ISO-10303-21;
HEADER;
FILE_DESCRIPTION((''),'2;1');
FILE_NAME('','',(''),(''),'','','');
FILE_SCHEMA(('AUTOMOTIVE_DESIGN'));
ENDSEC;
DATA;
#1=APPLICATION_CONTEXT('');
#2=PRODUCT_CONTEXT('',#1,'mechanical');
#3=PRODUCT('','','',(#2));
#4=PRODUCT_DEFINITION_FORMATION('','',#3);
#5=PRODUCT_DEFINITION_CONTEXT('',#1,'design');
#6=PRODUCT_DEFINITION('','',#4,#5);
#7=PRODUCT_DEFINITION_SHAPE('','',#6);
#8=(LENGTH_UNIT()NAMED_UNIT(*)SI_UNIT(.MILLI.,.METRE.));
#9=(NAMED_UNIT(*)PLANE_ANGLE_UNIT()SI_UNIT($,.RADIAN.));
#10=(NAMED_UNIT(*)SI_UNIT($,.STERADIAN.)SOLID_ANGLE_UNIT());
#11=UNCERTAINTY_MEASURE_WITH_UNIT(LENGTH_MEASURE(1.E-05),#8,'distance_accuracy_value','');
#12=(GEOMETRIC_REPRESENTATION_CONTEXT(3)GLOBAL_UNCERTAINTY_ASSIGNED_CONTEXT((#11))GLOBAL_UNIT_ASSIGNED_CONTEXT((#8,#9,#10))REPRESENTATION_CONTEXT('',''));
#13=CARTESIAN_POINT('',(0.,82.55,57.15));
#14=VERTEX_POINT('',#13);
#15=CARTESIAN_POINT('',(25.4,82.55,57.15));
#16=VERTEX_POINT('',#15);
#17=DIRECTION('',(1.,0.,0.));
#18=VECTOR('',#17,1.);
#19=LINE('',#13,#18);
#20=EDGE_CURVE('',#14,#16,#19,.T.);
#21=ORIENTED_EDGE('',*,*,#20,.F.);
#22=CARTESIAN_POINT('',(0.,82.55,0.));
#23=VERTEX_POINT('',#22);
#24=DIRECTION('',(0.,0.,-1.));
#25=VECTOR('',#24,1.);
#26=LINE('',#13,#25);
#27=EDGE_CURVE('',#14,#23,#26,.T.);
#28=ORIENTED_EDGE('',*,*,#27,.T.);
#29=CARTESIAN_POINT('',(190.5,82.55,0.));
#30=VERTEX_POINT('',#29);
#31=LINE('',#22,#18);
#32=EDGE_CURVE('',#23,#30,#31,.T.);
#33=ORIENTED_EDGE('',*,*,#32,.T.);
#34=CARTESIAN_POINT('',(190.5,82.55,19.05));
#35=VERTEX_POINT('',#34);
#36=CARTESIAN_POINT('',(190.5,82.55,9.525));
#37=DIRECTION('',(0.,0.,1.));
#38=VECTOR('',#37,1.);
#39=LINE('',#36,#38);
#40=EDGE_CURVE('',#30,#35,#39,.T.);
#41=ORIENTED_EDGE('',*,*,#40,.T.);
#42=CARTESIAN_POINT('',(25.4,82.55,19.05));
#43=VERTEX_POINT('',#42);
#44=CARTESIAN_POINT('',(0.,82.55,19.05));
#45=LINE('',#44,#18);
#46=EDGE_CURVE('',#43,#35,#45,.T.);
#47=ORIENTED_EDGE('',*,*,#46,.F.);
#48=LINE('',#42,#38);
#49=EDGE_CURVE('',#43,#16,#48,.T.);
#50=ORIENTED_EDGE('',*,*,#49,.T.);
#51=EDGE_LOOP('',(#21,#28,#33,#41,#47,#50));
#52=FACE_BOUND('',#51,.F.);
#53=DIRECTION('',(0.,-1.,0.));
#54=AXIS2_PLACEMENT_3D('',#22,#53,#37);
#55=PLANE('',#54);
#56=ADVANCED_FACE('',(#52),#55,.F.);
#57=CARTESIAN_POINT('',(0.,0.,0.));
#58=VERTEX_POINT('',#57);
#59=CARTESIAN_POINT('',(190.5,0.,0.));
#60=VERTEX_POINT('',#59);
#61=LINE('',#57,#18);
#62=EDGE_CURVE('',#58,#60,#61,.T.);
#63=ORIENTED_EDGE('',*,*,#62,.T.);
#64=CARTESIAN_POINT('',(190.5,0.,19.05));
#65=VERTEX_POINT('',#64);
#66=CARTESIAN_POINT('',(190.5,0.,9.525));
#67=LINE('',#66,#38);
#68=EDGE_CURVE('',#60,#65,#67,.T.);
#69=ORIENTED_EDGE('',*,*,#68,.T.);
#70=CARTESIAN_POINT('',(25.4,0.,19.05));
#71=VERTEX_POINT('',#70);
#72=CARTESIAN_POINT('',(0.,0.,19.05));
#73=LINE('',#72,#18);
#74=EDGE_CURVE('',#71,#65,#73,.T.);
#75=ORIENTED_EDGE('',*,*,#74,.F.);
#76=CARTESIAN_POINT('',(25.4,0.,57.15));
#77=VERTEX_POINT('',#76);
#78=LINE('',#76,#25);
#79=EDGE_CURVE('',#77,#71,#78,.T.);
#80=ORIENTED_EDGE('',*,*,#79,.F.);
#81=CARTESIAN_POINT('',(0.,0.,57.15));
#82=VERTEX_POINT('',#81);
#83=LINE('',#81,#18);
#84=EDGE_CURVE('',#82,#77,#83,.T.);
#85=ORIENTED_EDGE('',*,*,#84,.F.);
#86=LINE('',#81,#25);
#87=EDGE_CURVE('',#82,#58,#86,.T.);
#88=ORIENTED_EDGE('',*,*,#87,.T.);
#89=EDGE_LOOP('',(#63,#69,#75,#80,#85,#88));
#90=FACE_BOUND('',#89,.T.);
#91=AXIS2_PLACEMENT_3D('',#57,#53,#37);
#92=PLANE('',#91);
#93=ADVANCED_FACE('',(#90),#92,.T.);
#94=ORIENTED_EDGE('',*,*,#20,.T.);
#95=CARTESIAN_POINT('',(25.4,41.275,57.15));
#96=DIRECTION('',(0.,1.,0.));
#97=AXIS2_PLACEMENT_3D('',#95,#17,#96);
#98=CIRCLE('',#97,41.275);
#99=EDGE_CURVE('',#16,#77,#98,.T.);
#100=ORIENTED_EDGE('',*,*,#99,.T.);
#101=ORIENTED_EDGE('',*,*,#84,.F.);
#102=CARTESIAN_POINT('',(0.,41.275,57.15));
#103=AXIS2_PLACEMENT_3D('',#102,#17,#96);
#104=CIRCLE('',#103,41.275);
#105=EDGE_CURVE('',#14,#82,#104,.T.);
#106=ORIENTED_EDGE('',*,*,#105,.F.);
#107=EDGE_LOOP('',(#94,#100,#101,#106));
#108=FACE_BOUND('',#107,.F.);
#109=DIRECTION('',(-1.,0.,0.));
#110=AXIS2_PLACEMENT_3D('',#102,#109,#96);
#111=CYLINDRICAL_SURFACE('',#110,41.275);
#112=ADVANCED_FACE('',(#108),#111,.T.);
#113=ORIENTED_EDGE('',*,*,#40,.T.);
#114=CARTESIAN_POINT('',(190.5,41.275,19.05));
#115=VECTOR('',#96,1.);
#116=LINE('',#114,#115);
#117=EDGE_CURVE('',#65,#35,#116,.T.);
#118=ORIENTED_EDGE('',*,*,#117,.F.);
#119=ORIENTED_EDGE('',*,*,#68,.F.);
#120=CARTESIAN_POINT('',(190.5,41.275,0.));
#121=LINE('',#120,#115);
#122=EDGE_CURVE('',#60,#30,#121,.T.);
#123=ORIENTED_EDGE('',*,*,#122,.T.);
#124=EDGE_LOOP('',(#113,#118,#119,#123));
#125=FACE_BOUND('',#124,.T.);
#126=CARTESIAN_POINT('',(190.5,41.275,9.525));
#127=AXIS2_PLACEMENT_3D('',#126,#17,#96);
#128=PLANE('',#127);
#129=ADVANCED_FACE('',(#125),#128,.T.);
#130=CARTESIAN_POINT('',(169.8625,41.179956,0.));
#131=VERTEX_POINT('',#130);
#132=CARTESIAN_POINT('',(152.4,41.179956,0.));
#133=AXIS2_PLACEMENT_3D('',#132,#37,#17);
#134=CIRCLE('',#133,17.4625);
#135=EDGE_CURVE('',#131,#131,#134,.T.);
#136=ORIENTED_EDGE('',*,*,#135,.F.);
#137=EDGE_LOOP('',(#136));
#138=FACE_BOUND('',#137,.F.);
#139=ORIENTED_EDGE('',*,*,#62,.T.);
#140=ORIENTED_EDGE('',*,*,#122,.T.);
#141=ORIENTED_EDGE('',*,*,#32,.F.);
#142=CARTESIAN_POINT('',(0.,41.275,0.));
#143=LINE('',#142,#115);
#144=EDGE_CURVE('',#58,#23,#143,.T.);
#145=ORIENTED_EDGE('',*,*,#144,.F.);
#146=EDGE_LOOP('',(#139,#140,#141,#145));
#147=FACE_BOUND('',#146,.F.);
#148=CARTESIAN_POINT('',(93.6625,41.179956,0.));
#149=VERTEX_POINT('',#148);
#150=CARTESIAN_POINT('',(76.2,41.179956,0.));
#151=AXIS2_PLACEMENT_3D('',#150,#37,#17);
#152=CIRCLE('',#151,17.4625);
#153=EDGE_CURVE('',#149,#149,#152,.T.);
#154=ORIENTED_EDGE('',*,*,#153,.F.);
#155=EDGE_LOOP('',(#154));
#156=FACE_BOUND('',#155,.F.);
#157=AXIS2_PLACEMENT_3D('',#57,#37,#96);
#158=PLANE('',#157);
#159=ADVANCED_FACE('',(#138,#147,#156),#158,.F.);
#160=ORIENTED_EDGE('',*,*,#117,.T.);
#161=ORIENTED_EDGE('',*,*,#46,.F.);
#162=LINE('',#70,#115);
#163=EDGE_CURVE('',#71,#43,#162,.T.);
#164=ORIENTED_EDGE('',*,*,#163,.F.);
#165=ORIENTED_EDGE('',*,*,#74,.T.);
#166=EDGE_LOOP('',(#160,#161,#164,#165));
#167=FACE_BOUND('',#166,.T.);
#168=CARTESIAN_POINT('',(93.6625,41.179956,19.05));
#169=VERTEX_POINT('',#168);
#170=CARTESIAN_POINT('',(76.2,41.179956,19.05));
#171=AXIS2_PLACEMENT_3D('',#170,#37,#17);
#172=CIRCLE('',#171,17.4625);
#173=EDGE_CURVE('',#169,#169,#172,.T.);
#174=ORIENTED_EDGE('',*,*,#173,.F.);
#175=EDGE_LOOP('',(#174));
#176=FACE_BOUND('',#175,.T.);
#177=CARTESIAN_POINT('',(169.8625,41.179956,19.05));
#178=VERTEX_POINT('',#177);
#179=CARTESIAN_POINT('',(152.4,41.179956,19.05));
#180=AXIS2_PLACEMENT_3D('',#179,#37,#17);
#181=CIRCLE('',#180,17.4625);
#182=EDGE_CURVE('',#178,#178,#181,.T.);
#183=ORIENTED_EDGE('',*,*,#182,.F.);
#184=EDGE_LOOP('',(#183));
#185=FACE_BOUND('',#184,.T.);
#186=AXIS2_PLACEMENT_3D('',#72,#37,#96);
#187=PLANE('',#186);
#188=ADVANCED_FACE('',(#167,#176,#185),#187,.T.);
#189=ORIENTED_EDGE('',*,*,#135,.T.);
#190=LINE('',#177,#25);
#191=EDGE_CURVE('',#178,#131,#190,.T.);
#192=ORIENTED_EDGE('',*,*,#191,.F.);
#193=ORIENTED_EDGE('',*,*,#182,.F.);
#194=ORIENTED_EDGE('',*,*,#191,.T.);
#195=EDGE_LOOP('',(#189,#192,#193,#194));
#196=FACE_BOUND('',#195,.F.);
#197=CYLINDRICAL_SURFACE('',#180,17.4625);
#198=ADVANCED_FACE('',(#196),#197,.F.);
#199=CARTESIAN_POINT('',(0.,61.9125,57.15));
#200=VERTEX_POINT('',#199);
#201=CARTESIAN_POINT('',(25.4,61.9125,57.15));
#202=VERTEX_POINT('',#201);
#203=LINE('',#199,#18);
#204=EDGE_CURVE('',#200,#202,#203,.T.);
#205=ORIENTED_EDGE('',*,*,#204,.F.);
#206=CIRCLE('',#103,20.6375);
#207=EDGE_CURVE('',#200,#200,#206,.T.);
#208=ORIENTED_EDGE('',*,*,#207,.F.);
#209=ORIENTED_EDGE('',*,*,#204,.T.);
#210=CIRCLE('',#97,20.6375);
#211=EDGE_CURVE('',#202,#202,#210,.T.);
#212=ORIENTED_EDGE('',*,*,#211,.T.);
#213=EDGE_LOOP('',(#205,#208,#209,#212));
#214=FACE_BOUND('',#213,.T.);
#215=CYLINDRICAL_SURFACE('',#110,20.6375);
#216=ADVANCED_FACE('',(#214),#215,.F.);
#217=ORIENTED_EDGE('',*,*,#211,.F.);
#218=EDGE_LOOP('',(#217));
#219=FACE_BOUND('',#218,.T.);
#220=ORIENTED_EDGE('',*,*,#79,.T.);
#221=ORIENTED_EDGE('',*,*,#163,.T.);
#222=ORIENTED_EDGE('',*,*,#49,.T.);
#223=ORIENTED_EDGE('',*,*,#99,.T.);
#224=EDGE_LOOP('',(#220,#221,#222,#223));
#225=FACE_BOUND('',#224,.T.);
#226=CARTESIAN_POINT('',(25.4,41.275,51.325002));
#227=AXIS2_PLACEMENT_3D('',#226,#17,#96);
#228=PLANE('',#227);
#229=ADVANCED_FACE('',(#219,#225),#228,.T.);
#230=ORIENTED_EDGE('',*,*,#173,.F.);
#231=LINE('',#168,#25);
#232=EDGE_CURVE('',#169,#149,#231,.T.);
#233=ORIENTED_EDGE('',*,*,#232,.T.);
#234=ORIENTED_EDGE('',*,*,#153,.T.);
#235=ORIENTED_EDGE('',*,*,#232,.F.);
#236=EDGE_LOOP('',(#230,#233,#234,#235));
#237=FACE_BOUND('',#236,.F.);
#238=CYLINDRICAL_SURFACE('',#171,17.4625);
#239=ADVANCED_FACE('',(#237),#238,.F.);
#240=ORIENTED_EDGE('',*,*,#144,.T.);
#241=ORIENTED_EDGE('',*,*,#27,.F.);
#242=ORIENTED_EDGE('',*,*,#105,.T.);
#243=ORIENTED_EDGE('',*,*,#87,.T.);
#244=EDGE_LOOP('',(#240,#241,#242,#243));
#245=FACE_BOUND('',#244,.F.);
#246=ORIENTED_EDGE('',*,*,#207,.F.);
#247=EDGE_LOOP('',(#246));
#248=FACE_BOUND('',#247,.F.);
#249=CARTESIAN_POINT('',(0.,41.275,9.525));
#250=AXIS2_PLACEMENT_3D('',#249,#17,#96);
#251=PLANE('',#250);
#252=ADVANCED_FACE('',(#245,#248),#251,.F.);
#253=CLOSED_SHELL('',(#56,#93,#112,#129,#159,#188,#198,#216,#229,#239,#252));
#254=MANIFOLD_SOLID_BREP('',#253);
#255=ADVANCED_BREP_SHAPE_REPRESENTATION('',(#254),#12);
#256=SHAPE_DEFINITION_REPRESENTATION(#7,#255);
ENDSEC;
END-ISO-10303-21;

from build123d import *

# Parameters (mm, degrees)
F0_R     = 20.6375
F1_DEPTH = 25.4
F0_W     = 82.55
F0_H     = 19.05
F2_DEPTH = 190.5
F3_R     = 17.4625
F4_DEPTH = 25.4


with BuildPart() as f1:
    # F0 (on Right) → F1 (new body)
    with BuildSketch(Plane.YZ):
        with BuildLine():
            Line((0, 57.15), (0, 19.05))
            Line((0, 19.05), (82.55, 19.05))
            Line((82.55, 19.05), (82.55, 57.15))
            ThreePointArc((82.55, 57.15), (41.275, 98.425), (0, 57.15))
        make_face()
        with Locations((41.275, 57.15)):
            Circle(F0_R, mode=Mode.SUBTRACT)
    extrude(amount=F1_DEPTH)

    # F0 (on Right) → F2 (join)
    with BuildSketch(Plane.YZ):
        with Locations((41.275, 9.525)):
            Rectangle(F0_W, F0_H)
    extrude(amount=F2_DEPTH)

    # F3 (on face) → F4 (cut)
    with BuildSketch(Plane.XY.offset(19.05)):
        with Locations((76.2, 41.179956)):
            Circle(F3_R)
        with Locations((152.4, 41.179956)):
            Circle(F3_R)
    extrude(amount=-F4_DEPTH, mode=Mode.SUBTRACT)


solid = f1.part
